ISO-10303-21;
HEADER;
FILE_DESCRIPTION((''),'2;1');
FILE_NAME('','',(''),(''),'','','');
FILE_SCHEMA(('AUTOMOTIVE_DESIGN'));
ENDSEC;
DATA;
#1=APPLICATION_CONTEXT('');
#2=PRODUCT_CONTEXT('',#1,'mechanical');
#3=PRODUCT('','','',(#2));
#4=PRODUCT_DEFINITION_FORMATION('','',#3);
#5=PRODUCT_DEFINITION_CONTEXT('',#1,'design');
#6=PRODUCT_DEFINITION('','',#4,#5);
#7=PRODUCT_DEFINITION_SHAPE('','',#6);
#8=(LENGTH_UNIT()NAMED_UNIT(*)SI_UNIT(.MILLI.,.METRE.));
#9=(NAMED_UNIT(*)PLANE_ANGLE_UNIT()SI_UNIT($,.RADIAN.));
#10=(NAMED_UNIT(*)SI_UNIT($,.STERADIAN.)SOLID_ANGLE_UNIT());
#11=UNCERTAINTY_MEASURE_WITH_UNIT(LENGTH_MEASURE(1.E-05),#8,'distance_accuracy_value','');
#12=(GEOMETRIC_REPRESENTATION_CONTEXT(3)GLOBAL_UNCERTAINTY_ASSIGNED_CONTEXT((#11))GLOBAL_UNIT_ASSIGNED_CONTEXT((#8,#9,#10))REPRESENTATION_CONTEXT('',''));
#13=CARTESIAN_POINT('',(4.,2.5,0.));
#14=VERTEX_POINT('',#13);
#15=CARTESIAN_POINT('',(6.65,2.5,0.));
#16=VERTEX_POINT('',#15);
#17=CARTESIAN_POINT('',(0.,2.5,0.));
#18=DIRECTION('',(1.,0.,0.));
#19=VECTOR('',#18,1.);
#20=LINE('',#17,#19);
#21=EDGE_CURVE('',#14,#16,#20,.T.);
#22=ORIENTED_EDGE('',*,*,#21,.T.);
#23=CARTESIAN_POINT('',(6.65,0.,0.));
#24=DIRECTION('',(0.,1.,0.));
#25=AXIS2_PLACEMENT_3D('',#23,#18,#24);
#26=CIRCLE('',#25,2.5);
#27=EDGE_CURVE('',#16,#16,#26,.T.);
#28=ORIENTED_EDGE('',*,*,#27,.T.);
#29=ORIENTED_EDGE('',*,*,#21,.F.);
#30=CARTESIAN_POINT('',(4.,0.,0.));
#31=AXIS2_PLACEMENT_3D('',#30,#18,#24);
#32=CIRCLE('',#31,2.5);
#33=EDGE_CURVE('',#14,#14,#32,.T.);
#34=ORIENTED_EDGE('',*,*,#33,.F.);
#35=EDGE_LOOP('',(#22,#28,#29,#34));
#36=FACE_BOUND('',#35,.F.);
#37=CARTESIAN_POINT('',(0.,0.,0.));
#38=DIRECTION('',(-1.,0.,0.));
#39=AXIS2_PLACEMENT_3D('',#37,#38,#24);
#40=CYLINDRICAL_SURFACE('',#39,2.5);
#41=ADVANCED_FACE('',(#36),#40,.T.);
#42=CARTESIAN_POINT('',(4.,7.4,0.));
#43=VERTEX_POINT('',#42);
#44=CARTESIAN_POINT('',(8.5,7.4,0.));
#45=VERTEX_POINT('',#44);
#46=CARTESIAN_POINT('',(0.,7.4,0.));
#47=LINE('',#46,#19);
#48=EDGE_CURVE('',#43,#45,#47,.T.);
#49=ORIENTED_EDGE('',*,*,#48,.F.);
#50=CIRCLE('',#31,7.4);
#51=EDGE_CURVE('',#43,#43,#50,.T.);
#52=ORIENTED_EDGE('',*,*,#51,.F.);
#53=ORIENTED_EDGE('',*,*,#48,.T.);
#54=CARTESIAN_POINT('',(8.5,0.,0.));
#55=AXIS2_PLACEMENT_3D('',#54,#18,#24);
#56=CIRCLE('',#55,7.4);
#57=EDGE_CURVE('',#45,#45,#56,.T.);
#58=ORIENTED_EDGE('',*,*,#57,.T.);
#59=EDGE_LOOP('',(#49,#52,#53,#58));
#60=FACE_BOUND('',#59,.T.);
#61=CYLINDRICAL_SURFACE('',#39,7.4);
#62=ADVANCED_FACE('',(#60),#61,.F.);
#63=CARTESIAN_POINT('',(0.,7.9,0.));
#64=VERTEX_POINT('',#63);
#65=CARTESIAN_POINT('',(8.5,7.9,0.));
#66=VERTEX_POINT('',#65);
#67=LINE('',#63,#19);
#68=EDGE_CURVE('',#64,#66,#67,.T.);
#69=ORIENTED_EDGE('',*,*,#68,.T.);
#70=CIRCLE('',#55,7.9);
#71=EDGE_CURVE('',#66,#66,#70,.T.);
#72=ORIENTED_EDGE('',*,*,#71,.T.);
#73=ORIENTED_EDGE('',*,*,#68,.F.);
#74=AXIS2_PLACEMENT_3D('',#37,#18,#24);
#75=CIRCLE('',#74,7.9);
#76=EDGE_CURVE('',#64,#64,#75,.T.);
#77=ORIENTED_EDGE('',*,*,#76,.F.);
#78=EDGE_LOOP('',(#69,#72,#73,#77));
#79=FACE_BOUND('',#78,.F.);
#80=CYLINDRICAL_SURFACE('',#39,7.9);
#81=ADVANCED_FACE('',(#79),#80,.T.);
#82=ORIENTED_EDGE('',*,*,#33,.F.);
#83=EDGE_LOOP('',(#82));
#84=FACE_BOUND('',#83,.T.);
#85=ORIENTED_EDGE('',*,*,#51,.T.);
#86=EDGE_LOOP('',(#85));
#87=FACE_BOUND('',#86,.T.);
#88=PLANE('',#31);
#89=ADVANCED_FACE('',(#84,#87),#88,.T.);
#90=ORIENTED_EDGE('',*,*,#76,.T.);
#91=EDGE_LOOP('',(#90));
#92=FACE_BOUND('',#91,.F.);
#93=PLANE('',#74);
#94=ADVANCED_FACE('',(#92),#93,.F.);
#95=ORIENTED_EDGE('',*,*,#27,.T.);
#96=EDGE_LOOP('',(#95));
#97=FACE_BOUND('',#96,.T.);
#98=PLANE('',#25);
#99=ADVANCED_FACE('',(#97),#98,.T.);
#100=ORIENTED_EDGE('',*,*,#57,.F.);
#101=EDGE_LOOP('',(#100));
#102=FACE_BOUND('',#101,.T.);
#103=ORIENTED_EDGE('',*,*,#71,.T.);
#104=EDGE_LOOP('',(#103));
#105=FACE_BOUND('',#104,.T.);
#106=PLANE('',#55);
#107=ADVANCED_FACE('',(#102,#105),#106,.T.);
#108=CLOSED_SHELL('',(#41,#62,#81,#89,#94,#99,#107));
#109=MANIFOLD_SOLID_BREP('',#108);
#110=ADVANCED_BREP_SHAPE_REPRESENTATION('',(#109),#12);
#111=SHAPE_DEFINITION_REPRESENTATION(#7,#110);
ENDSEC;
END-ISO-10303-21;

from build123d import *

# Parameters (mm, degrees)
F0_R     = 7.4
F0_R_2   = 2.5
F1_DEPTH = 4
F0_R_3   = 7.9
F2_DEPTH = 8.5
F3_DEPTH = 6.65


with BuildPart() as f1:
    # F0 (on Right) → F1 (new body)
    with BuildSketch(Plane.YZ):
        Circle(F0_R)
        Circle(F0_R_2, mode=Mode.SUBTRACT)
    extrude(amount=F1_DEPTH)

    # F0 (on Right) → F2 (join)
    with BuildSketch(Plane.YZ):
        Circle(F0_R_3)
        Circle(F0_R, mode=Mode.SUBTRACT)
    extrude(amount=F2_DEPTH)

    # F0 (on Right) → F3 (join)
    with BuildSketch(Plane.YZ):
        Circle(F0_R_2)
    extrude(amount=F3_DEPTH)


solid = f1.part
